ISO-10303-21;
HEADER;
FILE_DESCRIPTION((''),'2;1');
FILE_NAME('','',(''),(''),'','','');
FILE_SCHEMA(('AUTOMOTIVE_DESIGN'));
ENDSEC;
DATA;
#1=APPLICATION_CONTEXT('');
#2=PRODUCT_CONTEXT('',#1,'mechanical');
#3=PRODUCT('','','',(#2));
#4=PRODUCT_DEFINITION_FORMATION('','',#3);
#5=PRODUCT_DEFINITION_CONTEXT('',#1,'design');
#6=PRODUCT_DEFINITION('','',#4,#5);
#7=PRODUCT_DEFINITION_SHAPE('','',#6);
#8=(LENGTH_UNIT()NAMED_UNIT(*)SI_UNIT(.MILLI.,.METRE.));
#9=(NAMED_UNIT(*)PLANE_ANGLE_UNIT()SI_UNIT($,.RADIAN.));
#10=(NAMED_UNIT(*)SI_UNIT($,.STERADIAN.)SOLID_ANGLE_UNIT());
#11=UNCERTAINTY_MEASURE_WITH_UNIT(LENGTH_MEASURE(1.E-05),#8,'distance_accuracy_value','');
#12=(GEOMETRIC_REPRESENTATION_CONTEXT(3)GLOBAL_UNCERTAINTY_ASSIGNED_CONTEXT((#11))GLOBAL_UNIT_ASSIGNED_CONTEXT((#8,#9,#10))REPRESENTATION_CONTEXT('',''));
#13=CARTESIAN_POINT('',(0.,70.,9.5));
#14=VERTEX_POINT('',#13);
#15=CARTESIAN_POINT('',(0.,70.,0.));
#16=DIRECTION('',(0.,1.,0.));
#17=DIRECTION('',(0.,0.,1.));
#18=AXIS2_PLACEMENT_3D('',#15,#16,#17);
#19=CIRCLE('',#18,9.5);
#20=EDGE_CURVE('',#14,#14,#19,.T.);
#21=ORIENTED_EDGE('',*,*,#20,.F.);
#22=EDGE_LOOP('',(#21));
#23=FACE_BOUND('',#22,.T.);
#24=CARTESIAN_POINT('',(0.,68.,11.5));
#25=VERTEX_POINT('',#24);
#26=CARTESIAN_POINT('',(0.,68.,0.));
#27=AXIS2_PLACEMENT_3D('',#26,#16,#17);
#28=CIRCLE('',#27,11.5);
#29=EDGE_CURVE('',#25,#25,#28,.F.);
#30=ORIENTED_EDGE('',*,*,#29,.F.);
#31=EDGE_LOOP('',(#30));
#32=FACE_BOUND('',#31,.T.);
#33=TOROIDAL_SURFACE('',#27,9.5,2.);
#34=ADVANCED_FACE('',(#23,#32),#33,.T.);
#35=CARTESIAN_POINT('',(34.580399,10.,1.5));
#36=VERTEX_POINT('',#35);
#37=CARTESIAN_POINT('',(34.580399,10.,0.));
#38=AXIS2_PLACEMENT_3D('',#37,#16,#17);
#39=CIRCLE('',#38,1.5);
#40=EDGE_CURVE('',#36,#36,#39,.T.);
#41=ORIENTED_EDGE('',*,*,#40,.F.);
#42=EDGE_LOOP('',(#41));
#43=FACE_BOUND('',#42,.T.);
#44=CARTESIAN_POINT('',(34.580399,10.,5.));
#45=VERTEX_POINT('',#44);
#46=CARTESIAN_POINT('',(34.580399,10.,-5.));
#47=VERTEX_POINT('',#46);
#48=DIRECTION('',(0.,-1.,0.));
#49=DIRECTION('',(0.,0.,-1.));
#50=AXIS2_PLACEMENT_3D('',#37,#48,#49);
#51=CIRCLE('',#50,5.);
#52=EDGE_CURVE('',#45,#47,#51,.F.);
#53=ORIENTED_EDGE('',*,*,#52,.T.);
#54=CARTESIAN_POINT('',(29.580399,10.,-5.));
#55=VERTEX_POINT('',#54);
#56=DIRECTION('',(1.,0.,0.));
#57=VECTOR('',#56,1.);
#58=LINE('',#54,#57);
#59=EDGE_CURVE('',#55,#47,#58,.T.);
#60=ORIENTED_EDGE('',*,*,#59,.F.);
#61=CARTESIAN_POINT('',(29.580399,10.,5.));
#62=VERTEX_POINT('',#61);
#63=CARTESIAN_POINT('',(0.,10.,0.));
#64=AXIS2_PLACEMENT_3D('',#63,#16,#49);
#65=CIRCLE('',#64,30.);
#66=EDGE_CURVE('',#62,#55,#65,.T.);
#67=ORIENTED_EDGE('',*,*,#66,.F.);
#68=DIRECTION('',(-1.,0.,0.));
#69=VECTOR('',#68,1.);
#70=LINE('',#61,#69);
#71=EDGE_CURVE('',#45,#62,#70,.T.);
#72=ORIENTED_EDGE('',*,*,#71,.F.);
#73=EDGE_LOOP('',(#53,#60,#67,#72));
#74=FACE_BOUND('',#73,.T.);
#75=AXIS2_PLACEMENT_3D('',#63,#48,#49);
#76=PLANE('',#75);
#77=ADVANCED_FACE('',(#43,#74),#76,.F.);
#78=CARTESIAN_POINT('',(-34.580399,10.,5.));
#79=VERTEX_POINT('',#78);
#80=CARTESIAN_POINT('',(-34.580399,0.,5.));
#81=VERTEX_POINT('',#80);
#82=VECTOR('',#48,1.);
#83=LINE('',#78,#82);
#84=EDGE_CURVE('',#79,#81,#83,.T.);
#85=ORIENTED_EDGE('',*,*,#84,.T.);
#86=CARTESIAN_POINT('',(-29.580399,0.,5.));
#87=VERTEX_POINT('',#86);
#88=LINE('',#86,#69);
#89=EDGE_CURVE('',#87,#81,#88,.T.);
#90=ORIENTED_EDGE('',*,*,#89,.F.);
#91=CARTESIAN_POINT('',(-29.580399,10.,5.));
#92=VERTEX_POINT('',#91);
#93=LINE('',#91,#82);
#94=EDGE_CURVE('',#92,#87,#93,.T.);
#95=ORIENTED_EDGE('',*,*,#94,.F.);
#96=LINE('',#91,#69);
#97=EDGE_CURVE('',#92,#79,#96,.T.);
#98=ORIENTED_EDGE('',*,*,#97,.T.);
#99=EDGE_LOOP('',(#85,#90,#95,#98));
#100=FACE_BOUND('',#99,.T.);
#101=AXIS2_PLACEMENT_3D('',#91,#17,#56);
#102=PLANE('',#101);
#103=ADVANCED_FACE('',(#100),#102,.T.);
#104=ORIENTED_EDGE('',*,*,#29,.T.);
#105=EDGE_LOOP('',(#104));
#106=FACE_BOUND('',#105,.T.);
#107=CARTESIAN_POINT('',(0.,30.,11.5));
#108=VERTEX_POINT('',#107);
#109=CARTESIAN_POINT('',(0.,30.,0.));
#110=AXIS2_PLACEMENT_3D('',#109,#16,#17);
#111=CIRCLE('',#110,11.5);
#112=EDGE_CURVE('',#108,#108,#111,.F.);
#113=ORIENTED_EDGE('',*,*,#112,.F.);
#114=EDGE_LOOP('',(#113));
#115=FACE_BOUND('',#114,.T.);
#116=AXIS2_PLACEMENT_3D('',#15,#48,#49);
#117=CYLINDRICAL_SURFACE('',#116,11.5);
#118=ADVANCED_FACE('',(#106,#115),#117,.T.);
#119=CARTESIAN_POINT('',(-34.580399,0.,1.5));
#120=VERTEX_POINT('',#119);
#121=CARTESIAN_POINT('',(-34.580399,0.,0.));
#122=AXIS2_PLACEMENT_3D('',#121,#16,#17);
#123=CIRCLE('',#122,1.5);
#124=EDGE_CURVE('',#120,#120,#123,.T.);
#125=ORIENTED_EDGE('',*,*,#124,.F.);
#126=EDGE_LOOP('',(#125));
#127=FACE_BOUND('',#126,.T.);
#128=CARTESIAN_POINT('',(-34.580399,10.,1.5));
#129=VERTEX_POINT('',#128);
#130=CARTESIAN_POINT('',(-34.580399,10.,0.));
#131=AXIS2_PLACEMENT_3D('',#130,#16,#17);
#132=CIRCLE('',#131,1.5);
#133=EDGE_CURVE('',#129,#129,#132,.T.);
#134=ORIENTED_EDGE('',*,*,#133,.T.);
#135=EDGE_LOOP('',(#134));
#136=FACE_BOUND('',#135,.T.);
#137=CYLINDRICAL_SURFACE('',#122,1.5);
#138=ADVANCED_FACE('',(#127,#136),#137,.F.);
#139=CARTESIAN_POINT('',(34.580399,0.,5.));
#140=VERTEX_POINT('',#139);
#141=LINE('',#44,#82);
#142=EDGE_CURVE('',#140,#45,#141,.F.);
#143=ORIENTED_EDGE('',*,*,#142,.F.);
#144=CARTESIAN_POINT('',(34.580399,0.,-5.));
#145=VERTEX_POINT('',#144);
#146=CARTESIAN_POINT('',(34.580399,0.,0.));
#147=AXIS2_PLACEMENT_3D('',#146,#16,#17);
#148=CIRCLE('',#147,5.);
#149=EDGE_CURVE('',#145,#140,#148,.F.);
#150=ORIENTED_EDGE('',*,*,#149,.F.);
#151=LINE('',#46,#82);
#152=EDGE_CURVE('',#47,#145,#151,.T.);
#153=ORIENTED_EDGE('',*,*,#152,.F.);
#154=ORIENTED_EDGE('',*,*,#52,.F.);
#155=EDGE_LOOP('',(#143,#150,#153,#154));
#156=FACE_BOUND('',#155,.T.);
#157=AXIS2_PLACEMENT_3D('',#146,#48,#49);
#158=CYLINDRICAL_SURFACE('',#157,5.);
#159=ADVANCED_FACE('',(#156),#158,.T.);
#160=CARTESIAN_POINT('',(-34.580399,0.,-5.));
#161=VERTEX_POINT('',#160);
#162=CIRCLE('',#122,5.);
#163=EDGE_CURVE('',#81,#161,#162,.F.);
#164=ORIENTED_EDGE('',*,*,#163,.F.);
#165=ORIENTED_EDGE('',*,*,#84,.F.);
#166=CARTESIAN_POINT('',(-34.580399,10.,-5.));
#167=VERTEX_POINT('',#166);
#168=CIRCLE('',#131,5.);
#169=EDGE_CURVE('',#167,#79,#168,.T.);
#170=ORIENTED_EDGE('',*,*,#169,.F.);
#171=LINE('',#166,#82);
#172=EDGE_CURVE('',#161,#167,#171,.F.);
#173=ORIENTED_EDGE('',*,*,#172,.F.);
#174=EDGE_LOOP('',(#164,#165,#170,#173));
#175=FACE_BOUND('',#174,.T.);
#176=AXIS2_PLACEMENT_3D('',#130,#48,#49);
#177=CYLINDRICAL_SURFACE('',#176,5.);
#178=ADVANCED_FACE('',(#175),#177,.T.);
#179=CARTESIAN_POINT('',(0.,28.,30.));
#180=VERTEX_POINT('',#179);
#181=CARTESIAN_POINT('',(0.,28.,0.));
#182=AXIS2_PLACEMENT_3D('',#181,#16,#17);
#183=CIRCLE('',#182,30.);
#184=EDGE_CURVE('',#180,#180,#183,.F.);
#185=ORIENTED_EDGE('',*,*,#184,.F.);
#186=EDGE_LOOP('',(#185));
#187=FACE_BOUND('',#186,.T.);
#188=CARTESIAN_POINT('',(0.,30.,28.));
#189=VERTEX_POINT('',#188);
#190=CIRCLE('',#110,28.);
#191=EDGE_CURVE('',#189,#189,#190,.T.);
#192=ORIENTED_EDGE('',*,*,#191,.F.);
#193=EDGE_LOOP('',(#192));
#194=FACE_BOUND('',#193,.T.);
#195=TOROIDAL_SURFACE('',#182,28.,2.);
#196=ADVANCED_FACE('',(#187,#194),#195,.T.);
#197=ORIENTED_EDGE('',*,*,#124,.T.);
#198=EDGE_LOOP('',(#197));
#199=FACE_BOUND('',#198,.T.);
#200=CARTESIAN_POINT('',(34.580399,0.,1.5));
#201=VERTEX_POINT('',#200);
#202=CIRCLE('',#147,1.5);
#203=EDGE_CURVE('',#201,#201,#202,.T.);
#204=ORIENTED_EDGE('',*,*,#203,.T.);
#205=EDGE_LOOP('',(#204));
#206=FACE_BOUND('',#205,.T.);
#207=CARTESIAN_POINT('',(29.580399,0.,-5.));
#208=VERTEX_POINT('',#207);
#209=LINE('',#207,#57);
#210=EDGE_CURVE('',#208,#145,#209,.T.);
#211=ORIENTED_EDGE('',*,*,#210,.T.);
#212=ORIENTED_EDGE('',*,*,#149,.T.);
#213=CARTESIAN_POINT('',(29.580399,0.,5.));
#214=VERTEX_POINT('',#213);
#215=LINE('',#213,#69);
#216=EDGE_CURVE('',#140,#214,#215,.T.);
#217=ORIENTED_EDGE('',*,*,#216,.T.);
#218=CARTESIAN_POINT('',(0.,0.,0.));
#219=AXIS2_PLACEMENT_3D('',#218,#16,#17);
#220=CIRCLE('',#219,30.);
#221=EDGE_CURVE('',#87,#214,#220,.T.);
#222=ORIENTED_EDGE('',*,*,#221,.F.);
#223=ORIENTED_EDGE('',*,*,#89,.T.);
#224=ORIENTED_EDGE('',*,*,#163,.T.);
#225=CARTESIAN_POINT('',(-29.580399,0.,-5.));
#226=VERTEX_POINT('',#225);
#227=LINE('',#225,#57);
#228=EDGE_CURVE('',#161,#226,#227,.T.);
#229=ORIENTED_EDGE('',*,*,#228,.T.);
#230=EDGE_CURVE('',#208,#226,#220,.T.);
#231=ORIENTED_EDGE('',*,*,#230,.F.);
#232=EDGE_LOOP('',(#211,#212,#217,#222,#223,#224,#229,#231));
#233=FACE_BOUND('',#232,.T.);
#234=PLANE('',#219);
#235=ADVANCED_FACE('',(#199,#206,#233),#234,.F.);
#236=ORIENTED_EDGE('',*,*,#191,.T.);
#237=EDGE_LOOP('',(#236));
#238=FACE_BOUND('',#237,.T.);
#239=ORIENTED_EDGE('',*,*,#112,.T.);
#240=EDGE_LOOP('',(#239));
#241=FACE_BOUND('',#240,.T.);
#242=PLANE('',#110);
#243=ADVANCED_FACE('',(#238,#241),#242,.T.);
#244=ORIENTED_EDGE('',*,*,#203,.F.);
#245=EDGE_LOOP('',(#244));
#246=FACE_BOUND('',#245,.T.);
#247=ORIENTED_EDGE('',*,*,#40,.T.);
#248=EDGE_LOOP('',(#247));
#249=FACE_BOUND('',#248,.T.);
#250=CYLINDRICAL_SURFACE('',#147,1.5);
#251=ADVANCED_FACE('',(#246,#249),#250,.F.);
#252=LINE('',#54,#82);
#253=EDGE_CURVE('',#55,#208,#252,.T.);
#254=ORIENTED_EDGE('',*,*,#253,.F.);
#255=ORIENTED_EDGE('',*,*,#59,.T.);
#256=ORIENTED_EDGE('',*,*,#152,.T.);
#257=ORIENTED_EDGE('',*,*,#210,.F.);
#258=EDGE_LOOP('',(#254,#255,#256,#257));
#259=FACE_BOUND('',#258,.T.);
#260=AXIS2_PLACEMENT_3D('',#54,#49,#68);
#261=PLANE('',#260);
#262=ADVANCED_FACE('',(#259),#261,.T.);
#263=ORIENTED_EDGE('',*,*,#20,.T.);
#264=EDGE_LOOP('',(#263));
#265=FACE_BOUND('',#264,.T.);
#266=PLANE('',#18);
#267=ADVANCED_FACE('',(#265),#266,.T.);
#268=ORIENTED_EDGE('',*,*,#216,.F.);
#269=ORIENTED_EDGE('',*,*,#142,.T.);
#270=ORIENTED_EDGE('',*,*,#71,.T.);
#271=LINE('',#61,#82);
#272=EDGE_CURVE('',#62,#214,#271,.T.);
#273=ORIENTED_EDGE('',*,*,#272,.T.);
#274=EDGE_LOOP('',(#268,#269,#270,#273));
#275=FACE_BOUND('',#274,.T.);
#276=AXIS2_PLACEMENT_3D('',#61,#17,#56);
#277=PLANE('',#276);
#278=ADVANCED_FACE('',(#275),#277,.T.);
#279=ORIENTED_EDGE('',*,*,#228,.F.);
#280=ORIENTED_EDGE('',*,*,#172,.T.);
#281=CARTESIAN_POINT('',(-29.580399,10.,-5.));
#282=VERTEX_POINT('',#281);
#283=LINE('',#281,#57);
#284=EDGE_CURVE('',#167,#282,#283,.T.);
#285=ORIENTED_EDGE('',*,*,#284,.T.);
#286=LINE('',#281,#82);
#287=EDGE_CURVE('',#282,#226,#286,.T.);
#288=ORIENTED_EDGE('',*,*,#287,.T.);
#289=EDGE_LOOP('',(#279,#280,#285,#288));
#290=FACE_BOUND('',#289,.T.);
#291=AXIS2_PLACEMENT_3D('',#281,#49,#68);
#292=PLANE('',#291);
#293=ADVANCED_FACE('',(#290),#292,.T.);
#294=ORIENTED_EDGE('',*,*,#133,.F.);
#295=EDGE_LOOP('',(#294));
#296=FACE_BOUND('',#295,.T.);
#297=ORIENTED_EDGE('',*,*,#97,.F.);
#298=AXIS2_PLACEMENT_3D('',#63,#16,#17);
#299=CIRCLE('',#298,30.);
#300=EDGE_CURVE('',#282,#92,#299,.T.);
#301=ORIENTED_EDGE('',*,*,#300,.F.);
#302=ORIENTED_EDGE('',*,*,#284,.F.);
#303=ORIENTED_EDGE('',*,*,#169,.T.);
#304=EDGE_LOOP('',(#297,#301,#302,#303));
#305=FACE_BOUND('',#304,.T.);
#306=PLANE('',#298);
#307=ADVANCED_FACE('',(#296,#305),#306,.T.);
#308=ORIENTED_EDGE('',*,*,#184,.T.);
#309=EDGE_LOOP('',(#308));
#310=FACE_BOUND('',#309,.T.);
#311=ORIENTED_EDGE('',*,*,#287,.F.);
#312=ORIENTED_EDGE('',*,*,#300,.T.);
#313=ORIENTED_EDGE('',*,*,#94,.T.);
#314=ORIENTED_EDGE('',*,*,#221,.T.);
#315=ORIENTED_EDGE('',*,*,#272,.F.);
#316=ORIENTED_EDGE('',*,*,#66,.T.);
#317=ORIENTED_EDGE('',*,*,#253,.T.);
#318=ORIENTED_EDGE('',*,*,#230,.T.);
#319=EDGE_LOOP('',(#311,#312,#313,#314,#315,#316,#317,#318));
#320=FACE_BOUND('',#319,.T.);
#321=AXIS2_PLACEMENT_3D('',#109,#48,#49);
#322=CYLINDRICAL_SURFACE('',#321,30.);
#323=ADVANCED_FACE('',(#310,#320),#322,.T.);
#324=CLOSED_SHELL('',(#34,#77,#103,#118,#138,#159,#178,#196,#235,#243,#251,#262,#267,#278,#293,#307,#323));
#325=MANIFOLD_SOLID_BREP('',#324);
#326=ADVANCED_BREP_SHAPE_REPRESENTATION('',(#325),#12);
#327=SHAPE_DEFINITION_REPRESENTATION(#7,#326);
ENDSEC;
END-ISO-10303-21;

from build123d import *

# Parameters (mm, degrees)
SKETCH_1_R          = 30
SKETCH_1_R_2        = 11.5
EXTRUDE_1_DEPTH     = 30
SKETCH_1_3_R        = 11.5
EXTRUDE_2_DEPTH     = 70
EXTRUDE_3_DEPTH     = 10
FILLET_1_RADIUS     = 5
FILLET_1_LENGTH     = 10
FILLET_2_RADIUS     = 5
FILLET_2_LENGTH     = 10
SKETCH_4_R          = 1.5
CUT_EXTRUDE_1_DEPTH = 78.888432891
FILLET_3_R          = 2


with BuildPart() as part:
    # 草圖1 → 填料-伸長1 (new body)
    # profile 1 of 2: a face of its own
    with BuildSketch(Plane(origin=(0, 0, 0), x_dir=(1, 0, 0), z_dir=(0, 1, 0))):
        with Locations(Location((0, 0, 0), (0, 0, 270))):
            Circle(SKETCH_1_R)
        Circle(SKETCH_1_R_2, mode=Mode.SUBTRACT)
    # profile 2 of 2: a face of its own
    with BuildSketch(Plane(origin=(0, 0, 0), x_dir=(1, 0, 0), z_dir=(0, 1, 0))):
        Circle(SKETCH_1_R_2)
    extrude(amount=EXTRUDE_1_DEPTH)

    # 草圖1<3> → 填料-伸長2 (add)
    with BuildSketch(Plane(origin=(0, 0, 0), x_dir=(1, 0, 0), z_dir=(0, 1, 0))):
        with Locations(Location((0, 0, 0), (0, 0, 270))):
            Circle(SKETCH_1_3_R)
    extrude(amount=EXTRUDE_2_DEPTH)

    # 草圖3 → 填料-伸長3 (add)
    with BuildSketch(Plane.XZ):
        with BuildLine():
            Line((29.580398915, 5), (39.580398915, 5))
            Line((39.580398915, 5), (39.580398915, -5))
            Line((39.580398915, -5), (29.580398915, -5))
            ThreePointArc((29.580398915, -5), (30, 0), (29.580398915, 5))
        make_face()
        with BuildLine():
            Line((-29.580398915, -5), (-39.580398915, -5))
            Line((-39.580398915, -5), (-39.580398915, 5))
            Line((-39.580398915, 5), (-29.580398915, 5))
            ThreePointArc((-29.580398915, 5), (-30, 0), (-29.580398915, -5))
        make_face()
    extrude(amount=-EXTRUDE_3_DEPTH)

    # 圓角1: full round fillet: the end face becomes a half cylinder, R = half its width
    fillet_1_face = Plane((-39.580398915, 5, 0), x_dir=(0, -1, 0), z_dir=(-1, 0, 0))  # on the end face: x along it, z out of the body
    fillet_1_slab = fillet_1_face.offset(-FILLET_1_RADIUS / 2) * Box(FILLET_1_LENGTH, 2 * FILLET_1_RADIUS, FILLET_1_RADIUS, mode=Mode.PRIVATE)  # the body's end, R deep
    fillet_1_round = Plane((-34.580398915, 5, 0), x_dir=(-1, 0, 0), z_dir=(0, -1, 0)) * Cylinder(FILLET_1_RADIUS, FILLET_1_LENGTH, mode=Mode.PRIVATE)  # its axis R under the face
    add(fillet_1_slab - fillet_1_round, mode=Mode.SUBTRACT)

    # 圓角2: full round fillet: the end face becomes a half cylinder, R = half its width
    fillet_2_face = Plane((39.580398915, 5, 0), x_dir=(0, 1, 0), z_dir=(1, 0, 0))  # on the end face: x along it, z out of the body
    fillet_2_slab = fillet_2_face.offset(-FILLET_2_RADIUS / 2) * Box(FILLET_2_LENGTH, 2 * FILLET_2_RADIUS, FILLET_2_RADIUS, mode=Mode.PRIVATE)  # the body's end, R deep
    fillet_2_round = Plane((34.580398915, 5, 0), x_dir=(1, 0, 0), z_dir=(0, 1, 0)) * Cylinder(FILLET_2_RADIUS, FILLET_2_LENGTH, mode=Mode.PRIVATE)  # its axis R under the face
    add(fillet_2_slab - fillet_2_round, mode=Mode.SUBTRACT)

    # 草圖4 → 除料-伸長1 (cut, through all)
    with BuildSketch(Plane(origin=(0, 10, 0), x_dir=(1, 0, 0), z_dir=(0, 1, 0))):
        with Locations(Location((34.580398915, 0, 0), (0, 0, 270))):
            Circle(SKETCH_4_R)
        with Locations(Location((-34.580398915, 0, 0), (0, 0, 270))):
            Circle(SKETCH_4_R)
    extrude(amount=-CUT_EXTRUDE_1_DEPTH, mode=Mode.SUBTRACT)

    # 圓角3
    fillet_3_edges = [part.edges().sort_by_distance(p)[0] for p in [
        (0, 30, -30),
        (0, 70, -11.5),
    ]]
    fillet(fillet_3_edges, radius=FILLET_3_R)


solid = part.part
